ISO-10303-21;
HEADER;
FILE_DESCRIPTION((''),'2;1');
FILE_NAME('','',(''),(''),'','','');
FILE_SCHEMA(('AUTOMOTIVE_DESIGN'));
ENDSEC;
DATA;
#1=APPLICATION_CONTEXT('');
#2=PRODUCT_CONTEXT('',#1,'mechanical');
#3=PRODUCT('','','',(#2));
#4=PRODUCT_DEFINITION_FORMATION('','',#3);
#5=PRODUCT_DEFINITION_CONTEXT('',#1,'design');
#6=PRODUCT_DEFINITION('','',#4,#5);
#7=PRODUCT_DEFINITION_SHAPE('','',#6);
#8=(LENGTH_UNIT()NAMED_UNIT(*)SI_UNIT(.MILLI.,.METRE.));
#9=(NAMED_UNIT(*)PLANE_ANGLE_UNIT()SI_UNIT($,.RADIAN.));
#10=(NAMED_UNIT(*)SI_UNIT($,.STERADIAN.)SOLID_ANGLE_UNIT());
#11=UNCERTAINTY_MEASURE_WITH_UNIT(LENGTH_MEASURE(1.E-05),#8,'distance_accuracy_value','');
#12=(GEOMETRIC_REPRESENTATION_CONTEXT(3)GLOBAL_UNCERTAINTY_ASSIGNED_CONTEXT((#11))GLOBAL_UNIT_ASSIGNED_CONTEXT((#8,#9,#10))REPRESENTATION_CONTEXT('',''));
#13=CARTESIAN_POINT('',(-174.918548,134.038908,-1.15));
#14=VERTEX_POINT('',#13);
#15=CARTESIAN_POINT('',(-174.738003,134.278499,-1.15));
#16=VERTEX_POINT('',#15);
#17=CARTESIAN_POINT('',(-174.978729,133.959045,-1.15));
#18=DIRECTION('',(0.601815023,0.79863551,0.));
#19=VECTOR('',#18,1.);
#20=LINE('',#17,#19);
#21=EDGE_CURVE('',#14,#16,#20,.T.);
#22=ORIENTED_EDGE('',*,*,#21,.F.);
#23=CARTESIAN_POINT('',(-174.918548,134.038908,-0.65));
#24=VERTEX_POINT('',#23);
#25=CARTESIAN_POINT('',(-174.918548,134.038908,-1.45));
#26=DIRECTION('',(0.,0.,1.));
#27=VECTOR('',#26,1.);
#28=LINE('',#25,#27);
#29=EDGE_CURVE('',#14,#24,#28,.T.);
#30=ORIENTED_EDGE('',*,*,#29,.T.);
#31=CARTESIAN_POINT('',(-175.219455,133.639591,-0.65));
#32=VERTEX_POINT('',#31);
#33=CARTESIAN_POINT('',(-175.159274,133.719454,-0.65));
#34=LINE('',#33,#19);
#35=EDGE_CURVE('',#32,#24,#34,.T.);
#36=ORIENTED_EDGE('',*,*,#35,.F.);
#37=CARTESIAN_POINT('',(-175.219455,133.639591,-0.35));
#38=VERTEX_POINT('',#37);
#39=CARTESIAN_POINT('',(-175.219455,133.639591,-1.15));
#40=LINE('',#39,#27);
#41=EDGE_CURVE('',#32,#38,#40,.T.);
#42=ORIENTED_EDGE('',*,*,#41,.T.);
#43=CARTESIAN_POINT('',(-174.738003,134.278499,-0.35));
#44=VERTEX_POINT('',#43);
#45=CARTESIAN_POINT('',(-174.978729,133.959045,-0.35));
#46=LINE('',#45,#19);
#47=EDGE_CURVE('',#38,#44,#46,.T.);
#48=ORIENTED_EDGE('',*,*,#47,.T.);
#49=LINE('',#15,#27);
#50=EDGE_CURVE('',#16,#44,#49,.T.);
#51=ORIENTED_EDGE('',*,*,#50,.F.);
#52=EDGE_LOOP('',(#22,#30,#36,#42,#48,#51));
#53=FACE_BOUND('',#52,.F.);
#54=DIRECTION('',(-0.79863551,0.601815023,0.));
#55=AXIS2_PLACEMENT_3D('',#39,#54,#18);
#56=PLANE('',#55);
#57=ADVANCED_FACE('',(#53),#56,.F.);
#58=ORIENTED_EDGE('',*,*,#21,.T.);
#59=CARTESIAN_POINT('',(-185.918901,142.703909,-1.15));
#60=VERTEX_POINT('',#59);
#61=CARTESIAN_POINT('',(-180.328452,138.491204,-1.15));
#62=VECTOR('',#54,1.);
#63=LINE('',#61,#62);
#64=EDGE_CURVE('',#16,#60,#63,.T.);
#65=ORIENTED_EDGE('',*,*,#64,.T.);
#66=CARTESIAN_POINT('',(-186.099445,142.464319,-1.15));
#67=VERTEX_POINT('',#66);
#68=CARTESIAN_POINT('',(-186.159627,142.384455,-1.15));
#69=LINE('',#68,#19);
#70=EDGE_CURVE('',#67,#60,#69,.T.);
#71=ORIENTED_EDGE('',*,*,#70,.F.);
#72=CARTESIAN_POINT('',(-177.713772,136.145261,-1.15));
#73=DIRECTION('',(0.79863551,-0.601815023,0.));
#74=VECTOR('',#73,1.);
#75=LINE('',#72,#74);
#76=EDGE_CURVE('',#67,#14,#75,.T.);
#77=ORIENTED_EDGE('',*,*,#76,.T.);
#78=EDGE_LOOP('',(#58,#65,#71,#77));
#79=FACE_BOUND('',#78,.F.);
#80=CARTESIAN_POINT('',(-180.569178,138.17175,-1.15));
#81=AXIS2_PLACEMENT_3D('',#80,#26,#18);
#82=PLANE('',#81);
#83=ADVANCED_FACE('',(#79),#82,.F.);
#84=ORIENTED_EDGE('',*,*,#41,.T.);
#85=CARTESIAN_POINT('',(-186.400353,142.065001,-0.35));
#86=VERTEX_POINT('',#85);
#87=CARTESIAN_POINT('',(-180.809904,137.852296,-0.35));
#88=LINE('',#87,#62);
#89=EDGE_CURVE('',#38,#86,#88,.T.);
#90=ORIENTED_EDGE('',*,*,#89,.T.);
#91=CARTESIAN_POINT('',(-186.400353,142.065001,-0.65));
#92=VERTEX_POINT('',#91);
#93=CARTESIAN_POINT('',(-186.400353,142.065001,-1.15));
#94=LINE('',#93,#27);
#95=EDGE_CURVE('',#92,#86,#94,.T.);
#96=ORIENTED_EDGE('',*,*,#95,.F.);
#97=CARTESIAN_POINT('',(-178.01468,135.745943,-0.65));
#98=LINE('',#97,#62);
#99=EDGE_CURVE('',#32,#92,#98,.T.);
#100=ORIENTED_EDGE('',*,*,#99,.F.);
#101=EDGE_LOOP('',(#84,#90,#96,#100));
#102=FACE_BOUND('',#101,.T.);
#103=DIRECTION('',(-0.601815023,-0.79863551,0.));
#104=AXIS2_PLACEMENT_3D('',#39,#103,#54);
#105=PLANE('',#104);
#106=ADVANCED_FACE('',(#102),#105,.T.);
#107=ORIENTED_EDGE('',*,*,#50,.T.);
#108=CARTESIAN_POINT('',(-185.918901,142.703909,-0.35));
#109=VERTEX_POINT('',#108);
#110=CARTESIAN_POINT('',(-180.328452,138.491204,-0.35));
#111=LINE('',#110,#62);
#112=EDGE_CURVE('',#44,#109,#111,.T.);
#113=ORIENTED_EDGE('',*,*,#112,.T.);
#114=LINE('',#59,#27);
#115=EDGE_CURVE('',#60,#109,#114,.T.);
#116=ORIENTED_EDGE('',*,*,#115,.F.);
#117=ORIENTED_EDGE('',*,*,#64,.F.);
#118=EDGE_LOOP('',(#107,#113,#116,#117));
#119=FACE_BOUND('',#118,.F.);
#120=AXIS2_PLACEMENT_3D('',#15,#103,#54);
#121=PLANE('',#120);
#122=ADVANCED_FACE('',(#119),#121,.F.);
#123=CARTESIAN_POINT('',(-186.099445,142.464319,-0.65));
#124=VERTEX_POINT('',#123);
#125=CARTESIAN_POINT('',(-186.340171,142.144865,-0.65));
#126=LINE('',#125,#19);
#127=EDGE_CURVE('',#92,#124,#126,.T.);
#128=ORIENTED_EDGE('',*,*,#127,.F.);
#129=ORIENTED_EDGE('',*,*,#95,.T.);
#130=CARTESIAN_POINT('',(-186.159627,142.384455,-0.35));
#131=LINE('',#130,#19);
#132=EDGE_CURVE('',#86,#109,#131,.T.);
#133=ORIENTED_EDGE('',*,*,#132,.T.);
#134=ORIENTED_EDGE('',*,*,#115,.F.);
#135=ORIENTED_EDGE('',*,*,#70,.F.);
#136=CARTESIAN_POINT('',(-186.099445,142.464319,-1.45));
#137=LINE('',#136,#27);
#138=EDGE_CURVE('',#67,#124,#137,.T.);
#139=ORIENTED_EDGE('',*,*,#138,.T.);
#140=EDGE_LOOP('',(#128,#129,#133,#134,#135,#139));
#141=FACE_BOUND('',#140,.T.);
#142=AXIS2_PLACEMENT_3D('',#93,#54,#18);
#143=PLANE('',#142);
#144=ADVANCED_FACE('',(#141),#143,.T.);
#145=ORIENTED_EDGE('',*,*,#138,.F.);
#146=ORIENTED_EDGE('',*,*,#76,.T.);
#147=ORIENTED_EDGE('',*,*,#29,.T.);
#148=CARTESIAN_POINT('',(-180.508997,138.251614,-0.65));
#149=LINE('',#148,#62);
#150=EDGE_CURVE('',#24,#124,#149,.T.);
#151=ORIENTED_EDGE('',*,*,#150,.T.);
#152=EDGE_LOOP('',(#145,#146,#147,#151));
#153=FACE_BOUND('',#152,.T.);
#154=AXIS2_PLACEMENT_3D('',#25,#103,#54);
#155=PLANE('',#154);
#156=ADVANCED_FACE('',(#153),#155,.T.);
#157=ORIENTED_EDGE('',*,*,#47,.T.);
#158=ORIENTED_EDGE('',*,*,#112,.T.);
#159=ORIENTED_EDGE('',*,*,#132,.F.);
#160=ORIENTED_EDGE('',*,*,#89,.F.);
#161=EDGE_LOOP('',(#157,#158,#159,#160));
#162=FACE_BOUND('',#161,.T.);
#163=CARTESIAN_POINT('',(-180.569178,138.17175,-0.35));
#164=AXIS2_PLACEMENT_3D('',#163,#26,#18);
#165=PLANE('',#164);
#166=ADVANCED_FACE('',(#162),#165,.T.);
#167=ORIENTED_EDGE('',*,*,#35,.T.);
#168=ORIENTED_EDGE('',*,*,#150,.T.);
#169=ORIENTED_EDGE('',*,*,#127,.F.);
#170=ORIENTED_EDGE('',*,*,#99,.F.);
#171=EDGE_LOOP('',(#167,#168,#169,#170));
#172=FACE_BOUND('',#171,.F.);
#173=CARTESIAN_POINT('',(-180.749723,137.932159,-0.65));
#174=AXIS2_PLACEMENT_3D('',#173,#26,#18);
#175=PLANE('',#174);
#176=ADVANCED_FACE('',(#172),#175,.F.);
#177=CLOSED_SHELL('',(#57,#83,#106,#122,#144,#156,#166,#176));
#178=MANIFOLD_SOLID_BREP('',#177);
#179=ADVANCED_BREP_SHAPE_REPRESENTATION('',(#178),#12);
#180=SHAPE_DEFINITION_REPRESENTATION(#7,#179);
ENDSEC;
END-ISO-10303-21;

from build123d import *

# Parameters (mm, degrees)
BOX127_W               = 0.8
BOX127_H               = 14
BOX127_DEPTH           = 0.8
BOX128_W               = 0.8
BOX128_H               = 14
BOX128_DEPTH           = 0.8
CUT067_PLACEMENT_ANGLE = 53


with BuildPart() as cubo127:
    # Box127 → Box127 (new body)
    with BuildSketch(Plane.XY):
        with Locations((0.4, 7)):
            Rectangle(BOX127_W, BOX127_H)
    extrude(amount=BOX127_DEPTH)


with BuildPart() as perfil_l_2da_cara009:
    # Box128 → Box128 (new body)
    with BuildSketch(Plane(origin=(0.3, 0, 0.3), x_dir=(1, 0, 0), z_dir=(0, 0, 1))):
        with Locations((0.4, 7)):
            Rectangle(BOX128_W, BOX128_H)
    extrude(amount=BOX128_DEPTH)

    # Cut067: cut Cubo127
    add(cubo127.part, mode=Mode.SUBTRACT)


with BuildPart() as perfil_l_2da_cara009_1:
    # Cut067 placement: moved
    add(perfil_l_2da_cara009.part.moved(Location((-175.4, 133.4, -1.45))).rotate(Axis((-175.4, 133.4, -1.45), (0, 0, 1)), CUT067_PLACEMENT_ANGLE))


solid = perfil_l_2da_cara009_1.part
